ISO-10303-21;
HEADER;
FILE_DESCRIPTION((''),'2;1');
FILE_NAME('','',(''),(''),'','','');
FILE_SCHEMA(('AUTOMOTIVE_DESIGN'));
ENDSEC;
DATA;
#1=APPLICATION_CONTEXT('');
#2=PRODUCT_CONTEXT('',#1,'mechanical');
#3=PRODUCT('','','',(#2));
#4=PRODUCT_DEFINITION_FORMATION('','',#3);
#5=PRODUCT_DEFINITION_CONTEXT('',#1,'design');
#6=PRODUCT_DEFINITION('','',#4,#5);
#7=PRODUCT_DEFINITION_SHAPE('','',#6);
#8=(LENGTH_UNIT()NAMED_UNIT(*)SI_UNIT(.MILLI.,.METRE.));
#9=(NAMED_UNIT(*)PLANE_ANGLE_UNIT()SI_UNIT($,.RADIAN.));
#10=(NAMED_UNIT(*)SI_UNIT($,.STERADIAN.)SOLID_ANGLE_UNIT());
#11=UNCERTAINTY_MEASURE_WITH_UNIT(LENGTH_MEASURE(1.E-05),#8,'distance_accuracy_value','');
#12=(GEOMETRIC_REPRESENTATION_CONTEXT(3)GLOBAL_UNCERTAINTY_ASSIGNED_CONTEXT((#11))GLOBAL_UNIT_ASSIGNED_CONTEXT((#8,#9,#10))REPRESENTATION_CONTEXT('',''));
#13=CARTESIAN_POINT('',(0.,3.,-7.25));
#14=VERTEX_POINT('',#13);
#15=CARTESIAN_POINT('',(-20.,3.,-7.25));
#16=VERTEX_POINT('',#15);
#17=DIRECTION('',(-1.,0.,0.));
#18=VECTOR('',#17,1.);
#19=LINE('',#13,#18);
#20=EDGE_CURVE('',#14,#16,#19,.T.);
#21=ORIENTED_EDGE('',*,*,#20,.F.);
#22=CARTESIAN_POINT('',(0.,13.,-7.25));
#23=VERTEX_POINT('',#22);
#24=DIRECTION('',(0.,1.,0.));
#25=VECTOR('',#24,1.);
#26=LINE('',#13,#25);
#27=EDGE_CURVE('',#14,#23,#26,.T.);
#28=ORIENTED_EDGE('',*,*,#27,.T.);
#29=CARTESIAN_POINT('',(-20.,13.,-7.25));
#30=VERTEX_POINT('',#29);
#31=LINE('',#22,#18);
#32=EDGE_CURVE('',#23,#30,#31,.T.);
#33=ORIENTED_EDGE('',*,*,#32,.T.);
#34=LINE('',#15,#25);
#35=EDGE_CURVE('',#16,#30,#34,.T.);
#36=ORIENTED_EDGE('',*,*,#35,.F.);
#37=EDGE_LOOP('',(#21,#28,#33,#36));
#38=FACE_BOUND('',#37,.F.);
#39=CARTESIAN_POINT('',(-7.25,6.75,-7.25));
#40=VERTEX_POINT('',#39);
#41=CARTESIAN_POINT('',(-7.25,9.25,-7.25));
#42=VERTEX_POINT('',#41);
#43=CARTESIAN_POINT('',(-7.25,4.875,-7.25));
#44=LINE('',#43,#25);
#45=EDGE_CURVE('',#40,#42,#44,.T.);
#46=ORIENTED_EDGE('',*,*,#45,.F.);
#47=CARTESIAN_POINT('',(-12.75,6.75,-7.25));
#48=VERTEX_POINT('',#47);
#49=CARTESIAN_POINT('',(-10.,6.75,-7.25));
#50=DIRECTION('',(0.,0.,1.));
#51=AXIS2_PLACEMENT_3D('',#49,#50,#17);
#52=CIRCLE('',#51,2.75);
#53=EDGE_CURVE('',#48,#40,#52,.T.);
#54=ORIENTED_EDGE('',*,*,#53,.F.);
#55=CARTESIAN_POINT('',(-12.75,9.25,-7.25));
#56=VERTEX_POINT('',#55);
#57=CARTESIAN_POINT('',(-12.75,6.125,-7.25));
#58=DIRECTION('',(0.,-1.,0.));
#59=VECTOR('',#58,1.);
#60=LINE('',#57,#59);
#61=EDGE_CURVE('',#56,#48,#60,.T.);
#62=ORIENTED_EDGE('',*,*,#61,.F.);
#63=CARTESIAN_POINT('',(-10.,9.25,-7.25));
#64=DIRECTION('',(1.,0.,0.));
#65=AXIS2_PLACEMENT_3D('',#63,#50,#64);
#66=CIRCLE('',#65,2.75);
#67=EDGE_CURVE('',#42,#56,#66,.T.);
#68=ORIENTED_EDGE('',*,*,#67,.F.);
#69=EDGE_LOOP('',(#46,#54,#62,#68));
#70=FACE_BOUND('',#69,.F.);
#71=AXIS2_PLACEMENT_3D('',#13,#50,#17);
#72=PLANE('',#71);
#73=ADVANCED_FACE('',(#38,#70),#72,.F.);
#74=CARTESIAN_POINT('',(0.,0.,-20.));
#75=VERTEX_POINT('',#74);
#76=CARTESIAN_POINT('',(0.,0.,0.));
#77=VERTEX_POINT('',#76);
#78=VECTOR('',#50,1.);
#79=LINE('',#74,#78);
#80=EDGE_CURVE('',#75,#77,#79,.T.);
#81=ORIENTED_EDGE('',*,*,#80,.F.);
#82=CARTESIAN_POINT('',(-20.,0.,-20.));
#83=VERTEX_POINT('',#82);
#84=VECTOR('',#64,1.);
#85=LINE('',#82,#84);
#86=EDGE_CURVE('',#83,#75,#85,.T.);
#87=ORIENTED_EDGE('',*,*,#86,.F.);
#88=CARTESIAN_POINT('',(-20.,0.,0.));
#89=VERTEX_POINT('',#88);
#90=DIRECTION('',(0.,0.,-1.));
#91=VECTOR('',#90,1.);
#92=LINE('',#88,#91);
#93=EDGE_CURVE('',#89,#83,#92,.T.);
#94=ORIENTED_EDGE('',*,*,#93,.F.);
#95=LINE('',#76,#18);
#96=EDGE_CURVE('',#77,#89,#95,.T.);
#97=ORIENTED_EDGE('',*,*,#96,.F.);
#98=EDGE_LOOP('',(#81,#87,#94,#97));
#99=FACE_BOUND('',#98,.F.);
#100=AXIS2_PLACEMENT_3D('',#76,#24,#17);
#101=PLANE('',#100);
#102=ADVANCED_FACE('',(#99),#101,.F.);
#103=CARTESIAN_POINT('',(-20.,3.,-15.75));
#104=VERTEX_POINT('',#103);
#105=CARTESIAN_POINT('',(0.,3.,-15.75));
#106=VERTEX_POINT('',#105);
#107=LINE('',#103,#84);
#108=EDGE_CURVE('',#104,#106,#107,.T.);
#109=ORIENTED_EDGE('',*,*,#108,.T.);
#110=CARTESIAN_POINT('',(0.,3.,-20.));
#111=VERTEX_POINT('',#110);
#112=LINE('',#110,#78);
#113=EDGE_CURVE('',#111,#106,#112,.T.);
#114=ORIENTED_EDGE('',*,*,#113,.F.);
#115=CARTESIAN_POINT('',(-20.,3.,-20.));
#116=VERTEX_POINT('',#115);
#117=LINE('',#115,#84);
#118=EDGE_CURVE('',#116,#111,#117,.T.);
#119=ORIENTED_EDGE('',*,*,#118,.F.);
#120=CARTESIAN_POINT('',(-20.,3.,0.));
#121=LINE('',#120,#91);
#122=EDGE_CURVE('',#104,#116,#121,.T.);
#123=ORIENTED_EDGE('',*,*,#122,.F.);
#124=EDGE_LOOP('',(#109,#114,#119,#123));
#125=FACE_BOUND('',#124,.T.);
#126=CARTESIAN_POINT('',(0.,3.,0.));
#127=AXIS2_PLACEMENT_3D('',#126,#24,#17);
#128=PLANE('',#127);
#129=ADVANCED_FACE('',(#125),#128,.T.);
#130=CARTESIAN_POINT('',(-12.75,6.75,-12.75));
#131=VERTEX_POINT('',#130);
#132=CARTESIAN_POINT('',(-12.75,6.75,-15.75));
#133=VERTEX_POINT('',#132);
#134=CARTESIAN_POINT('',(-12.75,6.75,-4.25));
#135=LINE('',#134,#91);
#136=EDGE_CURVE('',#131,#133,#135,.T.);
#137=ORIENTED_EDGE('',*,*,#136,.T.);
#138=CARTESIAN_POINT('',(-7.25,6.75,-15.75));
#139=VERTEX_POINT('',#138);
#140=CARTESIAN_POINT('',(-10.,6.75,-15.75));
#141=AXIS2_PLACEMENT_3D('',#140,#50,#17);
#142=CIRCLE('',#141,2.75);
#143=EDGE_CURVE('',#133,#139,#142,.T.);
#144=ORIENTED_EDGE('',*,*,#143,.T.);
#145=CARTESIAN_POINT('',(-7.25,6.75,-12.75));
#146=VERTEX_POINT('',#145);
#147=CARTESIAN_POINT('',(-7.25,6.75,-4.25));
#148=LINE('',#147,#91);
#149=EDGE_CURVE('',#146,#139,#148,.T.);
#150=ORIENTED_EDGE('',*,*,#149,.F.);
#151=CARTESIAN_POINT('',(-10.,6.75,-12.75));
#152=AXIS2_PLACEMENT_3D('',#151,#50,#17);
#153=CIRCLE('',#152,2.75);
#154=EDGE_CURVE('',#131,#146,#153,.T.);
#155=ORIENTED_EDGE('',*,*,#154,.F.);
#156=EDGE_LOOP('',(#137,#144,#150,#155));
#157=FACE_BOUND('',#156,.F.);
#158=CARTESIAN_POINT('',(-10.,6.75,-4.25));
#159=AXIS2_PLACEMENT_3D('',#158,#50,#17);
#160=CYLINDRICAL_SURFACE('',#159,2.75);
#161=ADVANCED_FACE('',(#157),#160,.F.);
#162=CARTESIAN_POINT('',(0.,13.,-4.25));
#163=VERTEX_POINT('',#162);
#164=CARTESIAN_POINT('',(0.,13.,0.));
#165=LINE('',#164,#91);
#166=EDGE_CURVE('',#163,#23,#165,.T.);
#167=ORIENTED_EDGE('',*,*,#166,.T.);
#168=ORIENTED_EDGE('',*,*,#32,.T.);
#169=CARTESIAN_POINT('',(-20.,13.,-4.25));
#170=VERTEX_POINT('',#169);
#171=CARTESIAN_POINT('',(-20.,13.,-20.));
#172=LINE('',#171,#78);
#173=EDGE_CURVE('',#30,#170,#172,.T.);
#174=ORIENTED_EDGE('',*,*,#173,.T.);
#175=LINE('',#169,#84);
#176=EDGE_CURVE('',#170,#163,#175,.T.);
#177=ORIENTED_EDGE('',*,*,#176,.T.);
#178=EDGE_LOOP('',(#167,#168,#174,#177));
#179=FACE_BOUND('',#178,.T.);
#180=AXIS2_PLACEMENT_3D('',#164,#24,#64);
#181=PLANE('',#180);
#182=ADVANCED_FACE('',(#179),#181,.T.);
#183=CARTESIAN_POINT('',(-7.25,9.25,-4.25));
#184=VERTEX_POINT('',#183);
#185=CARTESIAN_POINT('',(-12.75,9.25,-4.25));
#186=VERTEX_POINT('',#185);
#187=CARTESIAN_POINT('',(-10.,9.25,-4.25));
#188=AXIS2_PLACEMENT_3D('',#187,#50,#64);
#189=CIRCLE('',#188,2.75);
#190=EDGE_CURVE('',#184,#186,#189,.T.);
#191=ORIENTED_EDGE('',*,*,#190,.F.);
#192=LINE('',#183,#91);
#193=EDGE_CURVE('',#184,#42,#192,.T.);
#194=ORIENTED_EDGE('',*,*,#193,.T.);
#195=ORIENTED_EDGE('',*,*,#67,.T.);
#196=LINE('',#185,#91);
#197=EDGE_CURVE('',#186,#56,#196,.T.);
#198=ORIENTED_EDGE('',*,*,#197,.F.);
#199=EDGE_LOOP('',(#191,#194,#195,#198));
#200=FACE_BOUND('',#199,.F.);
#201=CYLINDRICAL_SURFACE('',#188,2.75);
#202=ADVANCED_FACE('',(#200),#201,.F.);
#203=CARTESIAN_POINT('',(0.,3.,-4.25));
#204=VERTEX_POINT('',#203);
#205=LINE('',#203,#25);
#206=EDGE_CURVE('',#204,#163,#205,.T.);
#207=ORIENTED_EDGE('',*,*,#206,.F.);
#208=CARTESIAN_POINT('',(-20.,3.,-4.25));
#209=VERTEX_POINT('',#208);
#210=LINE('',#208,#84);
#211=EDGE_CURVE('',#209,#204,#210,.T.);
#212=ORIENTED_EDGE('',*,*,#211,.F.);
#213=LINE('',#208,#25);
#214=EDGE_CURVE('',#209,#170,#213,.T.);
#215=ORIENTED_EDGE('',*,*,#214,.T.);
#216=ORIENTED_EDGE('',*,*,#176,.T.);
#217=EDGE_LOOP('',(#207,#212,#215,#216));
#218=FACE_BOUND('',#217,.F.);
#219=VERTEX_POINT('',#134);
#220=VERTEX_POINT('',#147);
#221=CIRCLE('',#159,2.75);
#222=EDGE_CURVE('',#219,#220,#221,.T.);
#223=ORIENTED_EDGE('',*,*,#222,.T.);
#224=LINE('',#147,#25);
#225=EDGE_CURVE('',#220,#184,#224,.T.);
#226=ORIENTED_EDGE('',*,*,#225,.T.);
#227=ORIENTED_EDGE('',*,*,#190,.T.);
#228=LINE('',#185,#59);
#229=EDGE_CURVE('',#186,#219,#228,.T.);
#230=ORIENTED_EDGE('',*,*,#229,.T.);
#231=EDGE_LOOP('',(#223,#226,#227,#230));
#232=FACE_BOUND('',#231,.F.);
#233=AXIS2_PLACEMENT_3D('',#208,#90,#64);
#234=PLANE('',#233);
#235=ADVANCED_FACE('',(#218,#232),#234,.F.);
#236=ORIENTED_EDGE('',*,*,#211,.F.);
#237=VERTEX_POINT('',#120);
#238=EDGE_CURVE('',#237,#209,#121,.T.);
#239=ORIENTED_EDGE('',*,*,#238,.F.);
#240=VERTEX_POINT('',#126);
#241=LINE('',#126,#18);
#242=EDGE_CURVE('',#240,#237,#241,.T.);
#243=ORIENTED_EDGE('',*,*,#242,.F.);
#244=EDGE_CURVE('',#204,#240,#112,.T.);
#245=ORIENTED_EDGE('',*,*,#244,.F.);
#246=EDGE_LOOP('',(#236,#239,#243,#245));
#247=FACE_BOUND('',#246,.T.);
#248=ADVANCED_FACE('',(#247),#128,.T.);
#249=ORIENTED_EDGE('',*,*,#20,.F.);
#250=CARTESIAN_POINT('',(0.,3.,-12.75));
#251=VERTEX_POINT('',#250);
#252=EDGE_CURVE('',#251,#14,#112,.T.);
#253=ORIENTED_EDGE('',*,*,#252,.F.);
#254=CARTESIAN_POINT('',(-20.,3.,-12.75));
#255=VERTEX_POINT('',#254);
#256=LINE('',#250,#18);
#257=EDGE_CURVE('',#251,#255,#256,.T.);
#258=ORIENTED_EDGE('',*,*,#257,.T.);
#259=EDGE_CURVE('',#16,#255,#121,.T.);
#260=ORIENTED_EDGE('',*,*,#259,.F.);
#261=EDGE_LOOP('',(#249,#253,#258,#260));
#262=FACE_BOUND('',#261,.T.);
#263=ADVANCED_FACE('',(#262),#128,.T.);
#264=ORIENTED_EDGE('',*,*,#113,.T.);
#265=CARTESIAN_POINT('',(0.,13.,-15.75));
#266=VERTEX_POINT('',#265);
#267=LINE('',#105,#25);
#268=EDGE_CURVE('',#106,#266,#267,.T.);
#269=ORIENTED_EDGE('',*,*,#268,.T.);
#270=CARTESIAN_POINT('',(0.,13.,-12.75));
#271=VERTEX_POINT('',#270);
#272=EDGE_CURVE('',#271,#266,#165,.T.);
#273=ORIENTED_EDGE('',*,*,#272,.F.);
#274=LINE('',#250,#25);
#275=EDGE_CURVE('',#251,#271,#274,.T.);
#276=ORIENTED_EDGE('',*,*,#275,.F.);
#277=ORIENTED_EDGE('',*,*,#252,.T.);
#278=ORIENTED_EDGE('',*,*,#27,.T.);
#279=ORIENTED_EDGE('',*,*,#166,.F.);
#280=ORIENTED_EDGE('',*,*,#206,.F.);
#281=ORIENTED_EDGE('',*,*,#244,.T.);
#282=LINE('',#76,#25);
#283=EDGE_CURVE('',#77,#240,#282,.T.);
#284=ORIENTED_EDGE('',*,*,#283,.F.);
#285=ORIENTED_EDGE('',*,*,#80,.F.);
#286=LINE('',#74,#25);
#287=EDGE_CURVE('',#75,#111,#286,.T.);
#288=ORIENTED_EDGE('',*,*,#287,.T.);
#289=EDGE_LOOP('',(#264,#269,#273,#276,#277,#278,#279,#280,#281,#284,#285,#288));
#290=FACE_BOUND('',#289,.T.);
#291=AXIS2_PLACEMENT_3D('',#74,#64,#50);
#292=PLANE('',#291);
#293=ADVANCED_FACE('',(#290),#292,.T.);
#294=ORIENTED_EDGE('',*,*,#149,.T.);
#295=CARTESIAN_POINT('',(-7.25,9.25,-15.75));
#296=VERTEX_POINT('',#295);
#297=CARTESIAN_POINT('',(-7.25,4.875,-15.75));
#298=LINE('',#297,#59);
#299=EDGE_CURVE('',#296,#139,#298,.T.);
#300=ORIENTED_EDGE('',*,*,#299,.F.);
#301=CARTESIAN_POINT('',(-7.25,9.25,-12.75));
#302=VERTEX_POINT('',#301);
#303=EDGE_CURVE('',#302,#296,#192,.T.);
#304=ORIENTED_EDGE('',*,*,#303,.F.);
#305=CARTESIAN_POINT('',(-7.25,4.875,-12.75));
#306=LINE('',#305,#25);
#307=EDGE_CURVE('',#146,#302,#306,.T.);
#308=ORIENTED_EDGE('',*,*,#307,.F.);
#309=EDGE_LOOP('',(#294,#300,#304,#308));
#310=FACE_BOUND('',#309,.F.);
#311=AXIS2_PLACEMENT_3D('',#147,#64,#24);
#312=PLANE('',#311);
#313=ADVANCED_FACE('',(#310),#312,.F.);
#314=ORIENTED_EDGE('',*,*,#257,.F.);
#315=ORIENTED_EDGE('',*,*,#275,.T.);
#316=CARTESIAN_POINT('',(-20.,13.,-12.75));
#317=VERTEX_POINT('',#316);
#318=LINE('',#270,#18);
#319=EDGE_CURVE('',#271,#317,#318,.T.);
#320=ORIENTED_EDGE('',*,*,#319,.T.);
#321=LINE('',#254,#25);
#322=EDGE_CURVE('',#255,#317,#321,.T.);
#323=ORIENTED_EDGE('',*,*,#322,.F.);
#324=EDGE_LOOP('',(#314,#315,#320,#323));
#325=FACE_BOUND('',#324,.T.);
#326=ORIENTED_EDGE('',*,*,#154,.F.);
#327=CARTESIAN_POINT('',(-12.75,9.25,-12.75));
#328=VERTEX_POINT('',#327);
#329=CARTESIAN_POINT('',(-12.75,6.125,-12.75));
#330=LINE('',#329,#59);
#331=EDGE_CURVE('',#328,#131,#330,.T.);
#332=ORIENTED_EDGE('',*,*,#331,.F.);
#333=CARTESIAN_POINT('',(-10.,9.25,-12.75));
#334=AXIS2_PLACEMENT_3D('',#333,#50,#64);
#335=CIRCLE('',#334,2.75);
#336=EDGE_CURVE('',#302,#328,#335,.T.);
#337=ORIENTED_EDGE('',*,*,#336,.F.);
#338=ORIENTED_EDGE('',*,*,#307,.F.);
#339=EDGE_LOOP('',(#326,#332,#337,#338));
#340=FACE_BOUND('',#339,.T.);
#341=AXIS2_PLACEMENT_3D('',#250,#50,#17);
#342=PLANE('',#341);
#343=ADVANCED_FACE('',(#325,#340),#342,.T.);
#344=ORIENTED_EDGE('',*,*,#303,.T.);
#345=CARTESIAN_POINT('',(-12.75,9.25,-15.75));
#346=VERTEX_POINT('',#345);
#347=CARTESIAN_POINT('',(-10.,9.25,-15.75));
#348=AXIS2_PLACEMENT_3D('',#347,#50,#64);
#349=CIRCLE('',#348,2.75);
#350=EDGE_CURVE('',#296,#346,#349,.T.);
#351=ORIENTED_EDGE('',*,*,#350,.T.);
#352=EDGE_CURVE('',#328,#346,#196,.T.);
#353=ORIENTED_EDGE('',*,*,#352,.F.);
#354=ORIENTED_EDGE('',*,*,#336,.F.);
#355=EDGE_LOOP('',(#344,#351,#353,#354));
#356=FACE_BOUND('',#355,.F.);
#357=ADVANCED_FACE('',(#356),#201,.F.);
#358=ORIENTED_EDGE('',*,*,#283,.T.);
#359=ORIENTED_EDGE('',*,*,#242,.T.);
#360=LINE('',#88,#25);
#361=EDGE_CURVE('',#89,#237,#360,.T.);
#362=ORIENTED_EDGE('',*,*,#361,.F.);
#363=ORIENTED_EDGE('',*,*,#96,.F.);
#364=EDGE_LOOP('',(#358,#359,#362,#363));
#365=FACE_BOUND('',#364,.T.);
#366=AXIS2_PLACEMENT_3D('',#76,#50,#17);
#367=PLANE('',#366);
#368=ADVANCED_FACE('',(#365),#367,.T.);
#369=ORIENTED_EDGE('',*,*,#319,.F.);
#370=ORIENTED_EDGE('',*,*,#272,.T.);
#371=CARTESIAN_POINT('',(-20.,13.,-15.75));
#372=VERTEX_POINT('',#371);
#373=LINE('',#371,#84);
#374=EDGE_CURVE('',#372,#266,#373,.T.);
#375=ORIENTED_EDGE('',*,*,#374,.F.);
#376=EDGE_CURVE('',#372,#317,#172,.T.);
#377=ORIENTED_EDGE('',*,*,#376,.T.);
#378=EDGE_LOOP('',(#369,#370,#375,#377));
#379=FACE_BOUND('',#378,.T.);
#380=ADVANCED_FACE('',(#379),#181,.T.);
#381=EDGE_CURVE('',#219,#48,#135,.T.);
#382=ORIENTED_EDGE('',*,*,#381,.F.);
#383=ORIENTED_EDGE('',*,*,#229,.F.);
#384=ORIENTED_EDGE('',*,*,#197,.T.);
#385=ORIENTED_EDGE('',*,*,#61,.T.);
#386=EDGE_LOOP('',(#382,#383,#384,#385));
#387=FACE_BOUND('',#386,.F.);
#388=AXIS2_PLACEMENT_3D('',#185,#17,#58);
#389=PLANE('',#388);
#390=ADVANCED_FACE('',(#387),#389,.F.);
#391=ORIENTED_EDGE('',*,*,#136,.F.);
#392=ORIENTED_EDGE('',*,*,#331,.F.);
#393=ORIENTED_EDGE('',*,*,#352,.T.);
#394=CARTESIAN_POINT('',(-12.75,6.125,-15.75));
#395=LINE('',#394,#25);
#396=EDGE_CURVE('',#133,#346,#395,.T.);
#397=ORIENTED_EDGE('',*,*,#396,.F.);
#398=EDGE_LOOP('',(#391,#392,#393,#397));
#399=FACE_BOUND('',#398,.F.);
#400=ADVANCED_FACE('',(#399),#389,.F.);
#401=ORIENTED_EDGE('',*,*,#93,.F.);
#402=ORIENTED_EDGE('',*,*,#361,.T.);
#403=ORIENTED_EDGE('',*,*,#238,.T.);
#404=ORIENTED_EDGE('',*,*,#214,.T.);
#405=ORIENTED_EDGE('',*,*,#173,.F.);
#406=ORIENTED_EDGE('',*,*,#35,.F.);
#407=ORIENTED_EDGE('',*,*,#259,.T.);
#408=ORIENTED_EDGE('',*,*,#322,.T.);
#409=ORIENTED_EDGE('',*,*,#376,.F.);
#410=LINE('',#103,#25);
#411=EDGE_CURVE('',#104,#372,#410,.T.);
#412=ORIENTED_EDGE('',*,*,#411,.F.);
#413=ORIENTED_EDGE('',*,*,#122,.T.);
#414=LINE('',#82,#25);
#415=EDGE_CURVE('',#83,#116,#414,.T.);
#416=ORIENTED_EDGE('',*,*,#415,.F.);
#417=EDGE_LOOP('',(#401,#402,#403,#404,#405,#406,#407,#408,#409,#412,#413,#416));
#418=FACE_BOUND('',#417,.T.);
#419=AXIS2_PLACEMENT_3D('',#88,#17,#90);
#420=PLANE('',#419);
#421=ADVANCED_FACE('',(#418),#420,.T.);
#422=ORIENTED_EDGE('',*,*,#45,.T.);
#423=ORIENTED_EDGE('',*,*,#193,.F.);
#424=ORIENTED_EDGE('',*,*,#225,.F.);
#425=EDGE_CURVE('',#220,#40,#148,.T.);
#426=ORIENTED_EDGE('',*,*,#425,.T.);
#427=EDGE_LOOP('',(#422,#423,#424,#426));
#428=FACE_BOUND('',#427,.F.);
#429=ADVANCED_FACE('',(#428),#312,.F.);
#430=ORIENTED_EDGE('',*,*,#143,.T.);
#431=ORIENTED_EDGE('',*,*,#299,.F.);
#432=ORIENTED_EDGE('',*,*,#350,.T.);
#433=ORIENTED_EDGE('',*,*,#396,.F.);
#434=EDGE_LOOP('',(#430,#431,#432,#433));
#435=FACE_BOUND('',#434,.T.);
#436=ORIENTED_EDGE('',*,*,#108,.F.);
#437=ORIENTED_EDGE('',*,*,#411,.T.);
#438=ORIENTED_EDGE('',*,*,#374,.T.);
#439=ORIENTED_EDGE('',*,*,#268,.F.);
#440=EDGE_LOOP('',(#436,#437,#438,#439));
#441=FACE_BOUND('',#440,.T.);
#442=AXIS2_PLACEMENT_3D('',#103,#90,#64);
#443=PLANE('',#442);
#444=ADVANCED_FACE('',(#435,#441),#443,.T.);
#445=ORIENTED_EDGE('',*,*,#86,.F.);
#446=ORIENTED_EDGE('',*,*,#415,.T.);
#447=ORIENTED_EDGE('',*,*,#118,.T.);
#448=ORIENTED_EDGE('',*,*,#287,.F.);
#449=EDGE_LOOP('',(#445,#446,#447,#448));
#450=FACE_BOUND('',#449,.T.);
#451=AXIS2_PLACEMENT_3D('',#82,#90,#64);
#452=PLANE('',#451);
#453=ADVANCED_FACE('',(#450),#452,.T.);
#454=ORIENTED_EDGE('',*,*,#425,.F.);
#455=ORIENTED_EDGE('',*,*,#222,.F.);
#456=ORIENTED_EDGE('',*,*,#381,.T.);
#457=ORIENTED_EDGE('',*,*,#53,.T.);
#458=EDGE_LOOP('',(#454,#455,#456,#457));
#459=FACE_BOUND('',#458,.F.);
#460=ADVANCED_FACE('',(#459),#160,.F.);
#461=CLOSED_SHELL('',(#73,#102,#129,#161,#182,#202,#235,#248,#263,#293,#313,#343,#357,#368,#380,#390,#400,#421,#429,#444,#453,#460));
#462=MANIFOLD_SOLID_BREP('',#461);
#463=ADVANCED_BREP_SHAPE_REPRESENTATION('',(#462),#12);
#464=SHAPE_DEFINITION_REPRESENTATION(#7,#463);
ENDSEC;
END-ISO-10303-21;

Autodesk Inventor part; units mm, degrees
ref_plane "YZ Plane" through (0, 0, 0) normal (1, 0, 0) x (0, 1, 0)
ref_plane "XZ Plane" through (0, 0, 0) normal (0, 1, 0) x (-1, 0, 0)
ref_plane "XY Plane" through (0, 0, 0) normal (0, 0, 1) x (1, 0, 0)
sketch "Sketch1" plane through (0, 0, 0) normal (0, 1, 0) x (-1, 0, 0)
  line L0 (0, 0) -> (20, 0)
  line L1 (20, 0) -> (20, -20)
  line L2 (20, -20) -> (0, -20)
  line L3 (0, -20) -> (0, 0)
  dimension "d0" = 20
  dimension "d1" = 20
extrude "Extrusion1" add sketch "Sketch1" along normal blind 3
sketch "Sketch2" plane through (0, 3, 0) normal (0, 1, 0) x (1, 0, 0)
  line L0 (-20, 20) -> (-20, 0) projected
  line L1 (0, 0) -> (0, 20) projected
  line L2 (-20, 4.25) -> (0, 4.25)
  line L3 (0, 4.25) -> (0, 7.25)
  line L4 (0, 7.25) -> (-20, 7.25)
  line L5 (-20, 7.25) -> (-20, 4.25)
  line L6 (-20, 15.75) -> (0, 15.75)
  line L7 (0, 15.75) -> (0, 12.75)
  line L8 (0, 12.75) -> (-20, 12.75)
  line L9 (-20, 12.75) -> (-20, 15.75)
  line L10 (0, 20) -> (-20, 20) projected
  point P0 (0, 15.75)
  point P1 (0, 4.25)
  dimension "d4" = 3
  dimension "d5" = 3
  dimension "d6" = 5.5
  dimension "d7" = 4.25
extrude "Extrusion2" add sketch "Sketch2" along normal blind 10 contours L6 L1 L8 L0 | L4 L1 L2 L0
sketch "Sketch3" plane through (-20, 3, -4.25) normal (0, 0, 1) x (1, 0, 0)
  line L0 (10, 6.25) -> (10, 3.75) construction
  line L1 (0, 10) -> (20, 10) projected
  line L2 (7.25, 6.25) -> (7.25, 3.75)
  line L3 (12.75, 3.75) -> (12.75, 6.25)
  arc A0 (12.75, 6.25) -> (7.25, 6.25) centre (10, 6.25) ccw
  arc A1 (7.25, 3.75) -> (12.75, 3.75) centre (10, 3.75) ccw
  line L4 (0, 0) -> (0, 10) projected
  point P0 (20, -3)
  point P1 (10, 5)
  point P2 (10, 1)
  point P3 (10, 9)
  dimension "d10" = 5.5
  dimension "d11" = 10
  dimension "d12" = 8
  dimension "d13" = 9
extrude "Extrusion3" cut sketch "Sketch3" against normal blind 16.75
properties part number "LegStablizer" material "Thermoplastic Resin"
